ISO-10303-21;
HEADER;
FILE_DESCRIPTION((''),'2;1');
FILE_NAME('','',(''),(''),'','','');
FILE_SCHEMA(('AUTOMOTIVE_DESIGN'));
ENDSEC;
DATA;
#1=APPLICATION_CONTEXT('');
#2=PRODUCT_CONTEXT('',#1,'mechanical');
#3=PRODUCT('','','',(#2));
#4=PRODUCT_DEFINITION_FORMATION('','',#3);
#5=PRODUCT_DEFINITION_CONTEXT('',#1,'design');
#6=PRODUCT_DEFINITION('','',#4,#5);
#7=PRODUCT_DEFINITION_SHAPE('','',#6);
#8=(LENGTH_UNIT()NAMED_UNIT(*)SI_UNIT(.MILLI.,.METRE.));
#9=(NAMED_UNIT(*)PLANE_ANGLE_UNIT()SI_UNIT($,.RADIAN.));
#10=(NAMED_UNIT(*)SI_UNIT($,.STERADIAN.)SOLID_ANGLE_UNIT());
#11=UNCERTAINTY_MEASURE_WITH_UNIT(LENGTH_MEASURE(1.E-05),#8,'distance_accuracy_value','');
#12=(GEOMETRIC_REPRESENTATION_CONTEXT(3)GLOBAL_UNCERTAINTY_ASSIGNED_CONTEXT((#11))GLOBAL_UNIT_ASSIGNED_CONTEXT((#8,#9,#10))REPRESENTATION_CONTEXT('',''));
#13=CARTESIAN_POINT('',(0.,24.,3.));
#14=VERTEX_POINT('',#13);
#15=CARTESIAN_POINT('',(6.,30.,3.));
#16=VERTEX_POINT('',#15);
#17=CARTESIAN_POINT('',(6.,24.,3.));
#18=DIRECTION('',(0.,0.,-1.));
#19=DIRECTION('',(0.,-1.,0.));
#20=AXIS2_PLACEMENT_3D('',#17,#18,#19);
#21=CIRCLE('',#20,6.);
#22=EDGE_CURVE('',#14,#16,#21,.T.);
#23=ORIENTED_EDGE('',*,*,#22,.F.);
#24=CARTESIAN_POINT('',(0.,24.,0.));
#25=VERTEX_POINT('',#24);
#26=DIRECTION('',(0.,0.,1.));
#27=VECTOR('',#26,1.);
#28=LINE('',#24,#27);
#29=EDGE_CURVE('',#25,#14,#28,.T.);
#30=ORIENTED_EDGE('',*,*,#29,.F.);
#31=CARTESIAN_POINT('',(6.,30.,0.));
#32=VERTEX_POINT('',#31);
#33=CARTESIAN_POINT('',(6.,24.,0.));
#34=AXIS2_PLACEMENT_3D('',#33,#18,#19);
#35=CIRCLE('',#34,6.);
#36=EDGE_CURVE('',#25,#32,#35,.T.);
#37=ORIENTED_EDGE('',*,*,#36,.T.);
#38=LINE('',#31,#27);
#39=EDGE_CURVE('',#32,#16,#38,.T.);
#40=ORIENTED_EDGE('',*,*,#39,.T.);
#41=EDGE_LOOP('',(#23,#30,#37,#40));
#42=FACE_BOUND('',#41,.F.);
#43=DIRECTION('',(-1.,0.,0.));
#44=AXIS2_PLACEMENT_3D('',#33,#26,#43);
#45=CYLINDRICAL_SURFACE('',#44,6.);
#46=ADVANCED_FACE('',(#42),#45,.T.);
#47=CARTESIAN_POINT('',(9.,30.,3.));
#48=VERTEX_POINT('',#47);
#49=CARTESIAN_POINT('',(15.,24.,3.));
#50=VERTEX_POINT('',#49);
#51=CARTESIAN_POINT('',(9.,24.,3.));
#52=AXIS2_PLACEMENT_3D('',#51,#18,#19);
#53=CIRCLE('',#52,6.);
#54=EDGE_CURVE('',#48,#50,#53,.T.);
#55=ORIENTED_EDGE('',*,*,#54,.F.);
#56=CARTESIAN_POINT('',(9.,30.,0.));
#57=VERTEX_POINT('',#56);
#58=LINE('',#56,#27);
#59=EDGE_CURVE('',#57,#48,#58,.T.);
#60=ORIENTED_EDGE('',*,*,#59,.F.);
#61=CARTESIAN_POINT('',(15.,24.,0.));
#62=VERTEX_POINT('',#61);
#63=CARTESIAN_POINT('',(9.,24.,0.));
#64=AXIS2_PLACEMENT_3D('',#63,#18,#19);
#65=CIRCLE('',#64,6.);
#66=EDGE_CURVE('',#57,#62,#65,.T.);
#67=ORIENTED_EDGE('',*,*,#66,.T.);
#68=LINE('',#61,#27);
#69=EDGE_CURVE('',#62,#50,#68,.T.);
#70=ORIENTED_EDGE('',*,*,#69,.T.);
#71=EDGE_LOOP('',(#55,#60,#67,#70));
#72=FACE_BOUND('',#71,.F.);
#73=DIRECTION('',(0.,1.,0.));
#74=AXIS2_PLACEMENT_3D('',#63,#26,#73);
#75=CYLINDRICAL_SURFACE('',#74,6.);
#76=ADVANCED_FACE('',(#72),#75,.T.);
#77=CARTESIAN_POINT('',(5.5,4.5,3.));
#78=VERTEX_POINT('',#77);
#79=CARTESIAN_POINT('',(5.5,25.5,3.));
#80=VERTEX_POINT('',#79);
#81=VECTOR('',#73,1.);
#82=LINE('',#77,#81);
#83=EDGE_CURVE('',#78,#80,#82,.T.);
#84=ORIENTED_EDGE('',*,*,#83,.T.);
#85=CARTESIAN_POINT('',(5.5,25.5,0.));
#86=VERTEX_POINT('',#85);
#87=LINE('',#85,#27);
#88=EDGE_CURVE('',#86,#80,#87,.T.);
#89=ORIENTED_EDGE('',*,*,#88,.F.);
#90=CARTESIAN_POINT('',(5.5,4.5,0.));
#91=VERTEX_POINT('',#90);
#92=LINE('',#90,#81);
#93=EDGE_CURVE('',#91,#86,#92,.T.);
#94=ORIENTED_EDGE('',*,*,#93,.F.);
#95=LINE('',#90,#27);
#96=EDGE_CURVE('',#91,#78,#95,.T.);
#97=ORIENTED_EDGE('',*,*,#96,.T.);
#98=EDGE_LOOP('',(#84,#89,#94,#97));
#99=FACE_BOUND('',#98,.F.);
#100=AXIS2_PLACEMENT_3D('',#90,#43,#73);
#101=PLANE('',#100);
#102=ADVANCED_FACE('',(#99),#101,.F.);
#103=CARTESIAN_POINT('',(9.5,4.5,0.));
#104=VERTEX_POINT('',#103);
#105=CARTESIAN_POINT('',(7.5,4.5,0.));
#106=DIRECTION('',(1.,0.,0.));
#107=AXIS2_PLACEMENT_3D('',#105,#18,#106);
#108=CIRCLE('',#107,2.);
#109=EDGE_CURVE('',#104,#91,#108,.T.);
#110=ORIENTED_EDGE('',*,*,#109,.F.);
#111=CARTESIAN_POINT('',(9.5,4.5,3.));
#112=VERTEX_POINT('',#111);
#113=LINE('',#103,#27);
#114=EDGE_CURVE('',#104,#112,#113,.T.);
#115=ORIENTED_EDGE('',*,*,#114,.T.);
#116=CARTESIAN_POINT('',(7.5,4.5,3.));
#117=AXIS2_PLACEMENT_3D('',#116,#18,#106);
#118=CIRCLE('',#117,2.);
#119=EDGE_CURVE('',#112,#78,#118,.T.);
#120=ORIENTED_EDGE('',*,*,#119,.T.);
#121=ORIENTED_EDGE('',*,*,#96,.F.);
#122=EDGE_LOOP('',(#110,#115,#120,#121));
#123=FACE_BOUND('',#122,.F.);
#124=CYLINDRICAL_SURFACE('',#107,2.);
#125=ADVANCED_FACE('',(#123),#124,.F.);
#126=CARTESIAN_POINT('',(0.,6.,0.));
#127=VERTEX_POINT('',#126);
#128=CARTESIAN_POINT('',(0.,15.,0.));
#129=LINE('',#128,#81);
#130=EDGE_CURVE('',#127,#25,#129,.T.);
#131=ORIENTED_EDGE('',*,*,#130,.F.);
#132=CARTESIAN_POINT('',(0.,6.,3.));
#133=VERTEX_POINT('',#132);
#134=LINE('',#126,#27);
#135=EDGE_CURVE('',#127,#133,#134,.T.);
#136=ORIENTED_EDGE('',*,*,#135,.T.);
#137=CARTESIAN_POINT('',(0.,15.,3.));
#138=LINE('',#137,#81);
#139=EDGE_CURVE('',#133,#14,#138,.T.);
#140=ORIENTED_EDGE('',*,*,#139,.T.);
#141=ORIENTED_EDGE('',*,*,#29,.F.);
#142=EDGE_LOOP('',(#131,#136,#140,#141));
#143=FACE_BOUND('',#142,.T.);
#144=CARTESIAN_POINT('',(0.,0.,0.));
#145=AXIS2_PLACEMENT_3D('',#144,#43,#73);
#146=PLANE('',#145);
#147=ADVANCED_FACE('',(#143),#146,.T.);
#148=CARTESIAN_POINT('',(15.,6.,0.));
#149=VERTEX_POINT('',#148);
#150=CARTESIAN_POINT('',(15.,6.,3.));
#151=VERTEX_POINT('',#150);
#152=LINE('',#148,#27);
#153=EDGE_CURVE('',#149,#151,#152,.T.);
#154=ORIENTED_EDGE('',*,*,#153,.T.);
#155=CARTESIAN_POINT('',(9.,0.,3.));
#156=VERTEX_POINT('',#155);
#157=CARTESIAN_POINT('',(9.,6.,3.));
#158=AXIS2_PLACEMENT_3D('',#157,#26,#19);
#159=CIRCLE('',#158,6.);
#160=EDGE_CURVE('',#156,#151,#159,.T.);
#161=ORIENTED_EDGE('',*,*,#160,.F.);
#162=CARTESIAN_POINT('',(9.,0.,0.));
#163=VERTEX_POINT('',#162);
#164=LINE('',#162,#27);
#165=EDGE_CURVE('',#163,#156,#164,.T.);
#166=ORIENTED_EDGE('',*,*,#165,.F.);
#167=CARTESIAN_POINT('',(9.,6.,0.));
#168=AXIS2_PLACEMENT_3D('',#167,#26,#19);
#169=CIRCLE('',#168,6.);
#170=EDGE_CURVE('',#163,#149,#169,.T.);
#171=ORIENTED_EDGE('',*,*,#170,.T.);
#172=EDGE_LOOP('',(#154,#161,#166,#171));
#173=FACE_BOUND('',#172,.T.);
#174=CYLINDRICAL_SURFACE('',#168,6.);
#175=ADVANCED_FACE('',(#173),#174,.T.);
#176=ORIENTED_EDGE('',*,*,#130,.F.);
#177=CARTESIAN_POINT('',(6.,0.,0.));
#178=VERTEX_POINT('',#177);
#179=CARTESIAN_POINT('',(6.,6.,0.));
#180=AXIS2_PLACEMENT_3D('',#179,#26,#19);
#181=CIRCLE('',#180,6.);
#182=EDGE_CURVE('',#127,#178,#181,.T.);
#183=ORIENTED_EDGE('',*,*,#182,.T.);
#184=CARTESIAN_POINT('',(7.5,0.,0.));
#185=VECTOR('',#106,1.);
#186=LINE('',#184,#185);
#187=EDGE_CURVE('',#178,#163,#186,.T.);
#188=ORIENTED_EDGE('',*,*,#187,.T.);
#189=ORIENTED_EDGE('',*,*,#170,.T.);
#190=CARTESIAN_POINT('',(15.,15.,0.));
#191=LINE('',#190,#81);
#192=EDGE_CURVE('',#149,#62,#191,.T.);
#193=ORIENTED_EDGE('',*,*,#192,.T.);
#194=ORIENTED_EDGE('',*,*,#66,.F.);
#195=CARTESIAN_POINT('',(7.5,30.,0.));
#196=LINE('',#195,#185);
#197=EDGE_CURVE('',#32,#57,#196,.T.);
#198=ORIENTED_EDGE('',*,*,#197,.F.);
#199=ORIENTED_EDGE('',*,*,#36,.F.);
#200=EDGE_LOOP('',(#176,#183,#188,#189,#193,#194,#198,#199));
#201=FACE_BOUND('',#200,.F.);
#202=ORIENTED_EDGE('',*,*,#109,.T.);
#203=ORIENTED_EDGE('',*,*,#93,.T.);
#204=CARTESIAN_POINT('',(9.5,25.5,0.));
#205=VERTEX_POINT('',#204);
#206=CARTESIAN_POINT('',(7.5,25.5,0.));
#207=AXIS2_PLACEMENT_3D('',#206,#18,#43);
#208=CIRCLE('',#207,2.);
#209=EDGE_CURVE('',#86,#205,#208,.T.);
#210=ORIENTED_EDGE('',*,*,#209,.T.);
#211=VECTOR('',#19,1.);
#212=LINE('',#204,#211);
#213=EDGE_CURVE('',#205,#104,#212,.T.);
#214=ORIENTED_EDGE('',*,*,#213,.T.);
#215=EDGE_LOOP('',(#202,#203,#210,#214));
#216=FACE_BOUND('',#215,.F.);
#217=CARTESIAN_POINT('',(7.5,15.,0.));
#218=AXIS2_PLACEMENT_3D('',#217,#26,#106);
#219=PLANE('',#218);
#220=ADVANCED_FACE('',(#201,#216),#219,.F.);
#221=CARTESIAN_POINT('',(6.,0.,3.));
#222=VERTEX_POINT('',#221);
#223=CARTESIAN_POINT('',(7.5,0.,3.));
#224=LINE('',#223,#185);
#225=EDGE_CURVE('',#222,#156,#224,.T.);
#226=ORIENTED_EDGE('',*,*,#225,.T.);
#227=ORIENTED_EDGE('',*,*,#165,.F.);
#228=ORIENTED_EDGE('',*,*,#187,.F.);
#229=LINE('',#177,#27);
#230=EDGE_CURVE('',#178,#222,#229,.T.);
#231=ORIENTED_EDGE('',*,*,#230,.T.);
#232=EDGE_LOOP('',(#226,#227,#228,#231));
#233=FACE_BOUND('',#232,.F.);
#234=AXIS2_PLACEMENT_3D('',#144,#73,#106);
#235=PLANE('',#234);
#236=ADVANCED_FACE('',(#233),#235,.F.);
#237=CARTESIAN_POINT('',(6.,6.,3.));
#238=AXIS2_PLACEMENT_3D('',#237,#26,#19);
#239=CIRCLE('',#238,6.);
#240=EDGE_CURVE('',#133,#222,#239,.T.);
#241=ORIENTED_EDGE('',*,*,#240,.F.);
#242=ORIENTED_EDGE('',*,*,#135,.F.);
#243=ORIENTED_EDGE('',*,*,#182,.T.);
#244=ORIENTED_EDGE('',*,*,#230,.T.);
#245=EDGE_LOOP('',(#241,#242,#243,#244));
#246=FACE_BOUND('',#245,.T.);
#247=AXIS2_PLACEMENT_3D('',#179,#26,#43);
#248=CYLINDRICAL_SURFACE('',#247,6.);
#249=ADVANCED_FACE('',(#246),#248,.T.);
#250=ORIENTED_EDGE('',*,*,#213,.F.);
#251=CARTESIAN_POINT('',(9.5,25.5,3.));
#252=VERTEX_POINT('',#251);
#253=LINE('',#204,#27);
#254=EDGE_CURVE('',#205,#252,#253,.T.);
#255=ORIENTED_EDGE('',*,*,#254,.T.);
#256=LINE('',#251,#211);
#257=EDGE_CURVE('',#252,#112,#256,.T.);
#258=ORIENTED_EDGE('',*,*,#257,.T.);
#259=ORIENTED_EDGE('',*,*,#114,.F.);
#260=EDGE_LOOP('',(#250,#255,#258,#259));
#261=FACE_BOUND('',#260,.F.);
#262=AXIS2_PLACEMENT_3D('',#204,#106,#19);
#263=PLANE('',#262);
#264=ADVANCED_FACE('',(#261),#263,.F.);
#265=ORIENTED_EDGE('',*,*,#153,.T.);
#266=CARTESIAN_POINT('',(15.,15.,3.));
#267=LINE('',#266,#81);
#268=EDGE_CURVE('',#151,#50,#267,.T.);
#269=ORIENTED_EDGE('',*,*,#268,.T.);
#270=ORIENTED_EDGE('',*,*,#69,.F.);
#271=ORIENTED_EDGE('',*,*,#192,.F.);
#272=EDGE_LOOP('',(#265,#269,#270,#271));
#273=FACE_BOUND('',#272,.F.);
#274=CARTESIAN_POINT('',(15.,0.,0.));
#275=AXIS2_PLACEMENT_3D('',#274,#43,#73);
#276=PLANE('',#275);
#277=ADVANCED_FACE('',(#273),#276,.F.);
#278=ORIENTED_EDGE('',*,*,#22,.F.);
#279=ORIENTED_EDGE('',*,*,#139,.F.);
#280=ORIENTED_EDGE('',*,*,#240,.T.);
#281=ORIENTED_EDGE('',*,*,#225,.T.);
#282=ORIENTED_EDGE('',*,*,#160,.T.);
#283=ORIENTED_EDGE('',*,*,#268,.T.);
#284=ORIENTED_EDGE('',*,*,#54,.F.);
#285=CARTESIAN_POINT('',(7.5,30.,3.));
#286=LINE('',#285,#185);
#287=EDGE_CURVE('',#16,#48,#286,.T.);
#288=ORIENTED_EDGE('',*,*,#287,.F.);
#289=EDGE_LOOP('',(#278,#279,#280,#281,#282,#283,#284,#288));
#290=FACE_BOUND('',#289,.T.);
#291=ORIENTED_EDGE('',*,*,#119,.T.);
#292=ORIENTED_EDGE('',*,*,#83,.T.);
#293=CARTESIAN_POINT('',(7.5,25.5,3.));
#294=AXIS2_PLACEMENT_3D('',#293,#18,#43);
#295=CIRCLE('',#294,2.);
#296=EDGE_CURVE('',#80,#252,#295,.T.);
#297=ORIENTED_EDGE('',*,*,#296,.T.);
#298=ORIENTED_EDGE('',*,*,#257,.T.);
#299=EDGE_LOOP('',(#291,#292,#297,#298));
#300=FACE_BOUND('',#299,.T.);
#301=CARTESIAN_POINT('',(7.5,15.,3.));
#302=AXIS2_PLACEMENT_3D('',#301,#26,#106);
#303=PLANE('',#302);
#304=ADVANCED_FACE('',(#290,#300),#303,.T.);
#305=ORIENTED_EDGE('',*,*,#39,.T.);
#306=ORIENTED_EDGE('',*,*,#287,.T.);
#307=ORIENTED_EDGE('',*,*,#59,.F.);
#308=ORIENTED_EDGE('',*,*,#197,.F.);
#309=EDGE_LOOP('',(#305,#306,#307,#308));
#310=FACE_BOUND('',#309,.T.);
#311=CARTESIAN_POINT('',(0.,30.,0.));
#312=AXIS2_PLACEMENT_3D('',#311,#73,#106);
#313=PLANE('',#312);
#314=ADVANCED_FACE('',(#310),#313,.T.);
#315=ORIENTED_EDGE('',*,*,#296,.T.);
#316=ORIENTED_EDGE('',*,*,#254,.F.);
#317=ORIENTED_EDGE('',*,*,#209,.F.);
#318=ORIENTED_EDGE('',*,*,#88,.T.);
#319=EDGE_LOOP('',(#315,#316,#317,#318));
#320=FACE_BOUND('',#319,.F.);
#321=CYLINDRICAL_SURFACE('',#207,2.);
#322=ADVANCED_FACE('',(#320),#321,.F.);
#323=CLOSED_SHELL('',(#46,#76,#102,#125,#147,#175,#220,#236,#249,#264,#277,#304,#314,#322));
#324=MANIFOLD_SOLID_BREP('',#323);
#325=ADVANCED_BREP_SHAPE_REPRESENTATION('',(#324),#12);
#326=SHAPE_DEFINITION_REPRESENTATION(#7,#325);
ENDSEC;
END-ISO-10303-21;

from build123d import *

# Parameters (mm, degrees)
F0_W     = 15
F0_H     = 30
F1_DEPTH = 3
F2_R     = 6


with BuildPart() as f1:
    # F0 (on Top) → F1 (new body)
    with BuildSketch(Plane.XY):
        with Locations((7.5, 15)):
            Rectangle(F0_W, F0_H)
        with BuildLine():
            ThreePointArc((5.5, 25.5), (7.5, 27.5), (9.5, 25.5))
            Line((9.5, 25.5), (9.5, 4.5))
            ThreePointArc((9.5, 4.5), (7.5, 2.5), (5.5, 4.5))
            Line((5.5, 4.5), (5.5, 25.5))
        make_face(mode=Mode.SUBTRACT)
    extrude(amount=F1_DEPTH)

    # F2
    f2_edges = [f1.edges().sort_by_distance(p)[0] for p in [
        (15, 0, 1.5),
        (0, 0, 1.5),
        (15, 30, 1.5),
        (0, 30, 1.5),
    ]]
    fillet(f2_edges, radius=F2_R)


solid = f1.part
